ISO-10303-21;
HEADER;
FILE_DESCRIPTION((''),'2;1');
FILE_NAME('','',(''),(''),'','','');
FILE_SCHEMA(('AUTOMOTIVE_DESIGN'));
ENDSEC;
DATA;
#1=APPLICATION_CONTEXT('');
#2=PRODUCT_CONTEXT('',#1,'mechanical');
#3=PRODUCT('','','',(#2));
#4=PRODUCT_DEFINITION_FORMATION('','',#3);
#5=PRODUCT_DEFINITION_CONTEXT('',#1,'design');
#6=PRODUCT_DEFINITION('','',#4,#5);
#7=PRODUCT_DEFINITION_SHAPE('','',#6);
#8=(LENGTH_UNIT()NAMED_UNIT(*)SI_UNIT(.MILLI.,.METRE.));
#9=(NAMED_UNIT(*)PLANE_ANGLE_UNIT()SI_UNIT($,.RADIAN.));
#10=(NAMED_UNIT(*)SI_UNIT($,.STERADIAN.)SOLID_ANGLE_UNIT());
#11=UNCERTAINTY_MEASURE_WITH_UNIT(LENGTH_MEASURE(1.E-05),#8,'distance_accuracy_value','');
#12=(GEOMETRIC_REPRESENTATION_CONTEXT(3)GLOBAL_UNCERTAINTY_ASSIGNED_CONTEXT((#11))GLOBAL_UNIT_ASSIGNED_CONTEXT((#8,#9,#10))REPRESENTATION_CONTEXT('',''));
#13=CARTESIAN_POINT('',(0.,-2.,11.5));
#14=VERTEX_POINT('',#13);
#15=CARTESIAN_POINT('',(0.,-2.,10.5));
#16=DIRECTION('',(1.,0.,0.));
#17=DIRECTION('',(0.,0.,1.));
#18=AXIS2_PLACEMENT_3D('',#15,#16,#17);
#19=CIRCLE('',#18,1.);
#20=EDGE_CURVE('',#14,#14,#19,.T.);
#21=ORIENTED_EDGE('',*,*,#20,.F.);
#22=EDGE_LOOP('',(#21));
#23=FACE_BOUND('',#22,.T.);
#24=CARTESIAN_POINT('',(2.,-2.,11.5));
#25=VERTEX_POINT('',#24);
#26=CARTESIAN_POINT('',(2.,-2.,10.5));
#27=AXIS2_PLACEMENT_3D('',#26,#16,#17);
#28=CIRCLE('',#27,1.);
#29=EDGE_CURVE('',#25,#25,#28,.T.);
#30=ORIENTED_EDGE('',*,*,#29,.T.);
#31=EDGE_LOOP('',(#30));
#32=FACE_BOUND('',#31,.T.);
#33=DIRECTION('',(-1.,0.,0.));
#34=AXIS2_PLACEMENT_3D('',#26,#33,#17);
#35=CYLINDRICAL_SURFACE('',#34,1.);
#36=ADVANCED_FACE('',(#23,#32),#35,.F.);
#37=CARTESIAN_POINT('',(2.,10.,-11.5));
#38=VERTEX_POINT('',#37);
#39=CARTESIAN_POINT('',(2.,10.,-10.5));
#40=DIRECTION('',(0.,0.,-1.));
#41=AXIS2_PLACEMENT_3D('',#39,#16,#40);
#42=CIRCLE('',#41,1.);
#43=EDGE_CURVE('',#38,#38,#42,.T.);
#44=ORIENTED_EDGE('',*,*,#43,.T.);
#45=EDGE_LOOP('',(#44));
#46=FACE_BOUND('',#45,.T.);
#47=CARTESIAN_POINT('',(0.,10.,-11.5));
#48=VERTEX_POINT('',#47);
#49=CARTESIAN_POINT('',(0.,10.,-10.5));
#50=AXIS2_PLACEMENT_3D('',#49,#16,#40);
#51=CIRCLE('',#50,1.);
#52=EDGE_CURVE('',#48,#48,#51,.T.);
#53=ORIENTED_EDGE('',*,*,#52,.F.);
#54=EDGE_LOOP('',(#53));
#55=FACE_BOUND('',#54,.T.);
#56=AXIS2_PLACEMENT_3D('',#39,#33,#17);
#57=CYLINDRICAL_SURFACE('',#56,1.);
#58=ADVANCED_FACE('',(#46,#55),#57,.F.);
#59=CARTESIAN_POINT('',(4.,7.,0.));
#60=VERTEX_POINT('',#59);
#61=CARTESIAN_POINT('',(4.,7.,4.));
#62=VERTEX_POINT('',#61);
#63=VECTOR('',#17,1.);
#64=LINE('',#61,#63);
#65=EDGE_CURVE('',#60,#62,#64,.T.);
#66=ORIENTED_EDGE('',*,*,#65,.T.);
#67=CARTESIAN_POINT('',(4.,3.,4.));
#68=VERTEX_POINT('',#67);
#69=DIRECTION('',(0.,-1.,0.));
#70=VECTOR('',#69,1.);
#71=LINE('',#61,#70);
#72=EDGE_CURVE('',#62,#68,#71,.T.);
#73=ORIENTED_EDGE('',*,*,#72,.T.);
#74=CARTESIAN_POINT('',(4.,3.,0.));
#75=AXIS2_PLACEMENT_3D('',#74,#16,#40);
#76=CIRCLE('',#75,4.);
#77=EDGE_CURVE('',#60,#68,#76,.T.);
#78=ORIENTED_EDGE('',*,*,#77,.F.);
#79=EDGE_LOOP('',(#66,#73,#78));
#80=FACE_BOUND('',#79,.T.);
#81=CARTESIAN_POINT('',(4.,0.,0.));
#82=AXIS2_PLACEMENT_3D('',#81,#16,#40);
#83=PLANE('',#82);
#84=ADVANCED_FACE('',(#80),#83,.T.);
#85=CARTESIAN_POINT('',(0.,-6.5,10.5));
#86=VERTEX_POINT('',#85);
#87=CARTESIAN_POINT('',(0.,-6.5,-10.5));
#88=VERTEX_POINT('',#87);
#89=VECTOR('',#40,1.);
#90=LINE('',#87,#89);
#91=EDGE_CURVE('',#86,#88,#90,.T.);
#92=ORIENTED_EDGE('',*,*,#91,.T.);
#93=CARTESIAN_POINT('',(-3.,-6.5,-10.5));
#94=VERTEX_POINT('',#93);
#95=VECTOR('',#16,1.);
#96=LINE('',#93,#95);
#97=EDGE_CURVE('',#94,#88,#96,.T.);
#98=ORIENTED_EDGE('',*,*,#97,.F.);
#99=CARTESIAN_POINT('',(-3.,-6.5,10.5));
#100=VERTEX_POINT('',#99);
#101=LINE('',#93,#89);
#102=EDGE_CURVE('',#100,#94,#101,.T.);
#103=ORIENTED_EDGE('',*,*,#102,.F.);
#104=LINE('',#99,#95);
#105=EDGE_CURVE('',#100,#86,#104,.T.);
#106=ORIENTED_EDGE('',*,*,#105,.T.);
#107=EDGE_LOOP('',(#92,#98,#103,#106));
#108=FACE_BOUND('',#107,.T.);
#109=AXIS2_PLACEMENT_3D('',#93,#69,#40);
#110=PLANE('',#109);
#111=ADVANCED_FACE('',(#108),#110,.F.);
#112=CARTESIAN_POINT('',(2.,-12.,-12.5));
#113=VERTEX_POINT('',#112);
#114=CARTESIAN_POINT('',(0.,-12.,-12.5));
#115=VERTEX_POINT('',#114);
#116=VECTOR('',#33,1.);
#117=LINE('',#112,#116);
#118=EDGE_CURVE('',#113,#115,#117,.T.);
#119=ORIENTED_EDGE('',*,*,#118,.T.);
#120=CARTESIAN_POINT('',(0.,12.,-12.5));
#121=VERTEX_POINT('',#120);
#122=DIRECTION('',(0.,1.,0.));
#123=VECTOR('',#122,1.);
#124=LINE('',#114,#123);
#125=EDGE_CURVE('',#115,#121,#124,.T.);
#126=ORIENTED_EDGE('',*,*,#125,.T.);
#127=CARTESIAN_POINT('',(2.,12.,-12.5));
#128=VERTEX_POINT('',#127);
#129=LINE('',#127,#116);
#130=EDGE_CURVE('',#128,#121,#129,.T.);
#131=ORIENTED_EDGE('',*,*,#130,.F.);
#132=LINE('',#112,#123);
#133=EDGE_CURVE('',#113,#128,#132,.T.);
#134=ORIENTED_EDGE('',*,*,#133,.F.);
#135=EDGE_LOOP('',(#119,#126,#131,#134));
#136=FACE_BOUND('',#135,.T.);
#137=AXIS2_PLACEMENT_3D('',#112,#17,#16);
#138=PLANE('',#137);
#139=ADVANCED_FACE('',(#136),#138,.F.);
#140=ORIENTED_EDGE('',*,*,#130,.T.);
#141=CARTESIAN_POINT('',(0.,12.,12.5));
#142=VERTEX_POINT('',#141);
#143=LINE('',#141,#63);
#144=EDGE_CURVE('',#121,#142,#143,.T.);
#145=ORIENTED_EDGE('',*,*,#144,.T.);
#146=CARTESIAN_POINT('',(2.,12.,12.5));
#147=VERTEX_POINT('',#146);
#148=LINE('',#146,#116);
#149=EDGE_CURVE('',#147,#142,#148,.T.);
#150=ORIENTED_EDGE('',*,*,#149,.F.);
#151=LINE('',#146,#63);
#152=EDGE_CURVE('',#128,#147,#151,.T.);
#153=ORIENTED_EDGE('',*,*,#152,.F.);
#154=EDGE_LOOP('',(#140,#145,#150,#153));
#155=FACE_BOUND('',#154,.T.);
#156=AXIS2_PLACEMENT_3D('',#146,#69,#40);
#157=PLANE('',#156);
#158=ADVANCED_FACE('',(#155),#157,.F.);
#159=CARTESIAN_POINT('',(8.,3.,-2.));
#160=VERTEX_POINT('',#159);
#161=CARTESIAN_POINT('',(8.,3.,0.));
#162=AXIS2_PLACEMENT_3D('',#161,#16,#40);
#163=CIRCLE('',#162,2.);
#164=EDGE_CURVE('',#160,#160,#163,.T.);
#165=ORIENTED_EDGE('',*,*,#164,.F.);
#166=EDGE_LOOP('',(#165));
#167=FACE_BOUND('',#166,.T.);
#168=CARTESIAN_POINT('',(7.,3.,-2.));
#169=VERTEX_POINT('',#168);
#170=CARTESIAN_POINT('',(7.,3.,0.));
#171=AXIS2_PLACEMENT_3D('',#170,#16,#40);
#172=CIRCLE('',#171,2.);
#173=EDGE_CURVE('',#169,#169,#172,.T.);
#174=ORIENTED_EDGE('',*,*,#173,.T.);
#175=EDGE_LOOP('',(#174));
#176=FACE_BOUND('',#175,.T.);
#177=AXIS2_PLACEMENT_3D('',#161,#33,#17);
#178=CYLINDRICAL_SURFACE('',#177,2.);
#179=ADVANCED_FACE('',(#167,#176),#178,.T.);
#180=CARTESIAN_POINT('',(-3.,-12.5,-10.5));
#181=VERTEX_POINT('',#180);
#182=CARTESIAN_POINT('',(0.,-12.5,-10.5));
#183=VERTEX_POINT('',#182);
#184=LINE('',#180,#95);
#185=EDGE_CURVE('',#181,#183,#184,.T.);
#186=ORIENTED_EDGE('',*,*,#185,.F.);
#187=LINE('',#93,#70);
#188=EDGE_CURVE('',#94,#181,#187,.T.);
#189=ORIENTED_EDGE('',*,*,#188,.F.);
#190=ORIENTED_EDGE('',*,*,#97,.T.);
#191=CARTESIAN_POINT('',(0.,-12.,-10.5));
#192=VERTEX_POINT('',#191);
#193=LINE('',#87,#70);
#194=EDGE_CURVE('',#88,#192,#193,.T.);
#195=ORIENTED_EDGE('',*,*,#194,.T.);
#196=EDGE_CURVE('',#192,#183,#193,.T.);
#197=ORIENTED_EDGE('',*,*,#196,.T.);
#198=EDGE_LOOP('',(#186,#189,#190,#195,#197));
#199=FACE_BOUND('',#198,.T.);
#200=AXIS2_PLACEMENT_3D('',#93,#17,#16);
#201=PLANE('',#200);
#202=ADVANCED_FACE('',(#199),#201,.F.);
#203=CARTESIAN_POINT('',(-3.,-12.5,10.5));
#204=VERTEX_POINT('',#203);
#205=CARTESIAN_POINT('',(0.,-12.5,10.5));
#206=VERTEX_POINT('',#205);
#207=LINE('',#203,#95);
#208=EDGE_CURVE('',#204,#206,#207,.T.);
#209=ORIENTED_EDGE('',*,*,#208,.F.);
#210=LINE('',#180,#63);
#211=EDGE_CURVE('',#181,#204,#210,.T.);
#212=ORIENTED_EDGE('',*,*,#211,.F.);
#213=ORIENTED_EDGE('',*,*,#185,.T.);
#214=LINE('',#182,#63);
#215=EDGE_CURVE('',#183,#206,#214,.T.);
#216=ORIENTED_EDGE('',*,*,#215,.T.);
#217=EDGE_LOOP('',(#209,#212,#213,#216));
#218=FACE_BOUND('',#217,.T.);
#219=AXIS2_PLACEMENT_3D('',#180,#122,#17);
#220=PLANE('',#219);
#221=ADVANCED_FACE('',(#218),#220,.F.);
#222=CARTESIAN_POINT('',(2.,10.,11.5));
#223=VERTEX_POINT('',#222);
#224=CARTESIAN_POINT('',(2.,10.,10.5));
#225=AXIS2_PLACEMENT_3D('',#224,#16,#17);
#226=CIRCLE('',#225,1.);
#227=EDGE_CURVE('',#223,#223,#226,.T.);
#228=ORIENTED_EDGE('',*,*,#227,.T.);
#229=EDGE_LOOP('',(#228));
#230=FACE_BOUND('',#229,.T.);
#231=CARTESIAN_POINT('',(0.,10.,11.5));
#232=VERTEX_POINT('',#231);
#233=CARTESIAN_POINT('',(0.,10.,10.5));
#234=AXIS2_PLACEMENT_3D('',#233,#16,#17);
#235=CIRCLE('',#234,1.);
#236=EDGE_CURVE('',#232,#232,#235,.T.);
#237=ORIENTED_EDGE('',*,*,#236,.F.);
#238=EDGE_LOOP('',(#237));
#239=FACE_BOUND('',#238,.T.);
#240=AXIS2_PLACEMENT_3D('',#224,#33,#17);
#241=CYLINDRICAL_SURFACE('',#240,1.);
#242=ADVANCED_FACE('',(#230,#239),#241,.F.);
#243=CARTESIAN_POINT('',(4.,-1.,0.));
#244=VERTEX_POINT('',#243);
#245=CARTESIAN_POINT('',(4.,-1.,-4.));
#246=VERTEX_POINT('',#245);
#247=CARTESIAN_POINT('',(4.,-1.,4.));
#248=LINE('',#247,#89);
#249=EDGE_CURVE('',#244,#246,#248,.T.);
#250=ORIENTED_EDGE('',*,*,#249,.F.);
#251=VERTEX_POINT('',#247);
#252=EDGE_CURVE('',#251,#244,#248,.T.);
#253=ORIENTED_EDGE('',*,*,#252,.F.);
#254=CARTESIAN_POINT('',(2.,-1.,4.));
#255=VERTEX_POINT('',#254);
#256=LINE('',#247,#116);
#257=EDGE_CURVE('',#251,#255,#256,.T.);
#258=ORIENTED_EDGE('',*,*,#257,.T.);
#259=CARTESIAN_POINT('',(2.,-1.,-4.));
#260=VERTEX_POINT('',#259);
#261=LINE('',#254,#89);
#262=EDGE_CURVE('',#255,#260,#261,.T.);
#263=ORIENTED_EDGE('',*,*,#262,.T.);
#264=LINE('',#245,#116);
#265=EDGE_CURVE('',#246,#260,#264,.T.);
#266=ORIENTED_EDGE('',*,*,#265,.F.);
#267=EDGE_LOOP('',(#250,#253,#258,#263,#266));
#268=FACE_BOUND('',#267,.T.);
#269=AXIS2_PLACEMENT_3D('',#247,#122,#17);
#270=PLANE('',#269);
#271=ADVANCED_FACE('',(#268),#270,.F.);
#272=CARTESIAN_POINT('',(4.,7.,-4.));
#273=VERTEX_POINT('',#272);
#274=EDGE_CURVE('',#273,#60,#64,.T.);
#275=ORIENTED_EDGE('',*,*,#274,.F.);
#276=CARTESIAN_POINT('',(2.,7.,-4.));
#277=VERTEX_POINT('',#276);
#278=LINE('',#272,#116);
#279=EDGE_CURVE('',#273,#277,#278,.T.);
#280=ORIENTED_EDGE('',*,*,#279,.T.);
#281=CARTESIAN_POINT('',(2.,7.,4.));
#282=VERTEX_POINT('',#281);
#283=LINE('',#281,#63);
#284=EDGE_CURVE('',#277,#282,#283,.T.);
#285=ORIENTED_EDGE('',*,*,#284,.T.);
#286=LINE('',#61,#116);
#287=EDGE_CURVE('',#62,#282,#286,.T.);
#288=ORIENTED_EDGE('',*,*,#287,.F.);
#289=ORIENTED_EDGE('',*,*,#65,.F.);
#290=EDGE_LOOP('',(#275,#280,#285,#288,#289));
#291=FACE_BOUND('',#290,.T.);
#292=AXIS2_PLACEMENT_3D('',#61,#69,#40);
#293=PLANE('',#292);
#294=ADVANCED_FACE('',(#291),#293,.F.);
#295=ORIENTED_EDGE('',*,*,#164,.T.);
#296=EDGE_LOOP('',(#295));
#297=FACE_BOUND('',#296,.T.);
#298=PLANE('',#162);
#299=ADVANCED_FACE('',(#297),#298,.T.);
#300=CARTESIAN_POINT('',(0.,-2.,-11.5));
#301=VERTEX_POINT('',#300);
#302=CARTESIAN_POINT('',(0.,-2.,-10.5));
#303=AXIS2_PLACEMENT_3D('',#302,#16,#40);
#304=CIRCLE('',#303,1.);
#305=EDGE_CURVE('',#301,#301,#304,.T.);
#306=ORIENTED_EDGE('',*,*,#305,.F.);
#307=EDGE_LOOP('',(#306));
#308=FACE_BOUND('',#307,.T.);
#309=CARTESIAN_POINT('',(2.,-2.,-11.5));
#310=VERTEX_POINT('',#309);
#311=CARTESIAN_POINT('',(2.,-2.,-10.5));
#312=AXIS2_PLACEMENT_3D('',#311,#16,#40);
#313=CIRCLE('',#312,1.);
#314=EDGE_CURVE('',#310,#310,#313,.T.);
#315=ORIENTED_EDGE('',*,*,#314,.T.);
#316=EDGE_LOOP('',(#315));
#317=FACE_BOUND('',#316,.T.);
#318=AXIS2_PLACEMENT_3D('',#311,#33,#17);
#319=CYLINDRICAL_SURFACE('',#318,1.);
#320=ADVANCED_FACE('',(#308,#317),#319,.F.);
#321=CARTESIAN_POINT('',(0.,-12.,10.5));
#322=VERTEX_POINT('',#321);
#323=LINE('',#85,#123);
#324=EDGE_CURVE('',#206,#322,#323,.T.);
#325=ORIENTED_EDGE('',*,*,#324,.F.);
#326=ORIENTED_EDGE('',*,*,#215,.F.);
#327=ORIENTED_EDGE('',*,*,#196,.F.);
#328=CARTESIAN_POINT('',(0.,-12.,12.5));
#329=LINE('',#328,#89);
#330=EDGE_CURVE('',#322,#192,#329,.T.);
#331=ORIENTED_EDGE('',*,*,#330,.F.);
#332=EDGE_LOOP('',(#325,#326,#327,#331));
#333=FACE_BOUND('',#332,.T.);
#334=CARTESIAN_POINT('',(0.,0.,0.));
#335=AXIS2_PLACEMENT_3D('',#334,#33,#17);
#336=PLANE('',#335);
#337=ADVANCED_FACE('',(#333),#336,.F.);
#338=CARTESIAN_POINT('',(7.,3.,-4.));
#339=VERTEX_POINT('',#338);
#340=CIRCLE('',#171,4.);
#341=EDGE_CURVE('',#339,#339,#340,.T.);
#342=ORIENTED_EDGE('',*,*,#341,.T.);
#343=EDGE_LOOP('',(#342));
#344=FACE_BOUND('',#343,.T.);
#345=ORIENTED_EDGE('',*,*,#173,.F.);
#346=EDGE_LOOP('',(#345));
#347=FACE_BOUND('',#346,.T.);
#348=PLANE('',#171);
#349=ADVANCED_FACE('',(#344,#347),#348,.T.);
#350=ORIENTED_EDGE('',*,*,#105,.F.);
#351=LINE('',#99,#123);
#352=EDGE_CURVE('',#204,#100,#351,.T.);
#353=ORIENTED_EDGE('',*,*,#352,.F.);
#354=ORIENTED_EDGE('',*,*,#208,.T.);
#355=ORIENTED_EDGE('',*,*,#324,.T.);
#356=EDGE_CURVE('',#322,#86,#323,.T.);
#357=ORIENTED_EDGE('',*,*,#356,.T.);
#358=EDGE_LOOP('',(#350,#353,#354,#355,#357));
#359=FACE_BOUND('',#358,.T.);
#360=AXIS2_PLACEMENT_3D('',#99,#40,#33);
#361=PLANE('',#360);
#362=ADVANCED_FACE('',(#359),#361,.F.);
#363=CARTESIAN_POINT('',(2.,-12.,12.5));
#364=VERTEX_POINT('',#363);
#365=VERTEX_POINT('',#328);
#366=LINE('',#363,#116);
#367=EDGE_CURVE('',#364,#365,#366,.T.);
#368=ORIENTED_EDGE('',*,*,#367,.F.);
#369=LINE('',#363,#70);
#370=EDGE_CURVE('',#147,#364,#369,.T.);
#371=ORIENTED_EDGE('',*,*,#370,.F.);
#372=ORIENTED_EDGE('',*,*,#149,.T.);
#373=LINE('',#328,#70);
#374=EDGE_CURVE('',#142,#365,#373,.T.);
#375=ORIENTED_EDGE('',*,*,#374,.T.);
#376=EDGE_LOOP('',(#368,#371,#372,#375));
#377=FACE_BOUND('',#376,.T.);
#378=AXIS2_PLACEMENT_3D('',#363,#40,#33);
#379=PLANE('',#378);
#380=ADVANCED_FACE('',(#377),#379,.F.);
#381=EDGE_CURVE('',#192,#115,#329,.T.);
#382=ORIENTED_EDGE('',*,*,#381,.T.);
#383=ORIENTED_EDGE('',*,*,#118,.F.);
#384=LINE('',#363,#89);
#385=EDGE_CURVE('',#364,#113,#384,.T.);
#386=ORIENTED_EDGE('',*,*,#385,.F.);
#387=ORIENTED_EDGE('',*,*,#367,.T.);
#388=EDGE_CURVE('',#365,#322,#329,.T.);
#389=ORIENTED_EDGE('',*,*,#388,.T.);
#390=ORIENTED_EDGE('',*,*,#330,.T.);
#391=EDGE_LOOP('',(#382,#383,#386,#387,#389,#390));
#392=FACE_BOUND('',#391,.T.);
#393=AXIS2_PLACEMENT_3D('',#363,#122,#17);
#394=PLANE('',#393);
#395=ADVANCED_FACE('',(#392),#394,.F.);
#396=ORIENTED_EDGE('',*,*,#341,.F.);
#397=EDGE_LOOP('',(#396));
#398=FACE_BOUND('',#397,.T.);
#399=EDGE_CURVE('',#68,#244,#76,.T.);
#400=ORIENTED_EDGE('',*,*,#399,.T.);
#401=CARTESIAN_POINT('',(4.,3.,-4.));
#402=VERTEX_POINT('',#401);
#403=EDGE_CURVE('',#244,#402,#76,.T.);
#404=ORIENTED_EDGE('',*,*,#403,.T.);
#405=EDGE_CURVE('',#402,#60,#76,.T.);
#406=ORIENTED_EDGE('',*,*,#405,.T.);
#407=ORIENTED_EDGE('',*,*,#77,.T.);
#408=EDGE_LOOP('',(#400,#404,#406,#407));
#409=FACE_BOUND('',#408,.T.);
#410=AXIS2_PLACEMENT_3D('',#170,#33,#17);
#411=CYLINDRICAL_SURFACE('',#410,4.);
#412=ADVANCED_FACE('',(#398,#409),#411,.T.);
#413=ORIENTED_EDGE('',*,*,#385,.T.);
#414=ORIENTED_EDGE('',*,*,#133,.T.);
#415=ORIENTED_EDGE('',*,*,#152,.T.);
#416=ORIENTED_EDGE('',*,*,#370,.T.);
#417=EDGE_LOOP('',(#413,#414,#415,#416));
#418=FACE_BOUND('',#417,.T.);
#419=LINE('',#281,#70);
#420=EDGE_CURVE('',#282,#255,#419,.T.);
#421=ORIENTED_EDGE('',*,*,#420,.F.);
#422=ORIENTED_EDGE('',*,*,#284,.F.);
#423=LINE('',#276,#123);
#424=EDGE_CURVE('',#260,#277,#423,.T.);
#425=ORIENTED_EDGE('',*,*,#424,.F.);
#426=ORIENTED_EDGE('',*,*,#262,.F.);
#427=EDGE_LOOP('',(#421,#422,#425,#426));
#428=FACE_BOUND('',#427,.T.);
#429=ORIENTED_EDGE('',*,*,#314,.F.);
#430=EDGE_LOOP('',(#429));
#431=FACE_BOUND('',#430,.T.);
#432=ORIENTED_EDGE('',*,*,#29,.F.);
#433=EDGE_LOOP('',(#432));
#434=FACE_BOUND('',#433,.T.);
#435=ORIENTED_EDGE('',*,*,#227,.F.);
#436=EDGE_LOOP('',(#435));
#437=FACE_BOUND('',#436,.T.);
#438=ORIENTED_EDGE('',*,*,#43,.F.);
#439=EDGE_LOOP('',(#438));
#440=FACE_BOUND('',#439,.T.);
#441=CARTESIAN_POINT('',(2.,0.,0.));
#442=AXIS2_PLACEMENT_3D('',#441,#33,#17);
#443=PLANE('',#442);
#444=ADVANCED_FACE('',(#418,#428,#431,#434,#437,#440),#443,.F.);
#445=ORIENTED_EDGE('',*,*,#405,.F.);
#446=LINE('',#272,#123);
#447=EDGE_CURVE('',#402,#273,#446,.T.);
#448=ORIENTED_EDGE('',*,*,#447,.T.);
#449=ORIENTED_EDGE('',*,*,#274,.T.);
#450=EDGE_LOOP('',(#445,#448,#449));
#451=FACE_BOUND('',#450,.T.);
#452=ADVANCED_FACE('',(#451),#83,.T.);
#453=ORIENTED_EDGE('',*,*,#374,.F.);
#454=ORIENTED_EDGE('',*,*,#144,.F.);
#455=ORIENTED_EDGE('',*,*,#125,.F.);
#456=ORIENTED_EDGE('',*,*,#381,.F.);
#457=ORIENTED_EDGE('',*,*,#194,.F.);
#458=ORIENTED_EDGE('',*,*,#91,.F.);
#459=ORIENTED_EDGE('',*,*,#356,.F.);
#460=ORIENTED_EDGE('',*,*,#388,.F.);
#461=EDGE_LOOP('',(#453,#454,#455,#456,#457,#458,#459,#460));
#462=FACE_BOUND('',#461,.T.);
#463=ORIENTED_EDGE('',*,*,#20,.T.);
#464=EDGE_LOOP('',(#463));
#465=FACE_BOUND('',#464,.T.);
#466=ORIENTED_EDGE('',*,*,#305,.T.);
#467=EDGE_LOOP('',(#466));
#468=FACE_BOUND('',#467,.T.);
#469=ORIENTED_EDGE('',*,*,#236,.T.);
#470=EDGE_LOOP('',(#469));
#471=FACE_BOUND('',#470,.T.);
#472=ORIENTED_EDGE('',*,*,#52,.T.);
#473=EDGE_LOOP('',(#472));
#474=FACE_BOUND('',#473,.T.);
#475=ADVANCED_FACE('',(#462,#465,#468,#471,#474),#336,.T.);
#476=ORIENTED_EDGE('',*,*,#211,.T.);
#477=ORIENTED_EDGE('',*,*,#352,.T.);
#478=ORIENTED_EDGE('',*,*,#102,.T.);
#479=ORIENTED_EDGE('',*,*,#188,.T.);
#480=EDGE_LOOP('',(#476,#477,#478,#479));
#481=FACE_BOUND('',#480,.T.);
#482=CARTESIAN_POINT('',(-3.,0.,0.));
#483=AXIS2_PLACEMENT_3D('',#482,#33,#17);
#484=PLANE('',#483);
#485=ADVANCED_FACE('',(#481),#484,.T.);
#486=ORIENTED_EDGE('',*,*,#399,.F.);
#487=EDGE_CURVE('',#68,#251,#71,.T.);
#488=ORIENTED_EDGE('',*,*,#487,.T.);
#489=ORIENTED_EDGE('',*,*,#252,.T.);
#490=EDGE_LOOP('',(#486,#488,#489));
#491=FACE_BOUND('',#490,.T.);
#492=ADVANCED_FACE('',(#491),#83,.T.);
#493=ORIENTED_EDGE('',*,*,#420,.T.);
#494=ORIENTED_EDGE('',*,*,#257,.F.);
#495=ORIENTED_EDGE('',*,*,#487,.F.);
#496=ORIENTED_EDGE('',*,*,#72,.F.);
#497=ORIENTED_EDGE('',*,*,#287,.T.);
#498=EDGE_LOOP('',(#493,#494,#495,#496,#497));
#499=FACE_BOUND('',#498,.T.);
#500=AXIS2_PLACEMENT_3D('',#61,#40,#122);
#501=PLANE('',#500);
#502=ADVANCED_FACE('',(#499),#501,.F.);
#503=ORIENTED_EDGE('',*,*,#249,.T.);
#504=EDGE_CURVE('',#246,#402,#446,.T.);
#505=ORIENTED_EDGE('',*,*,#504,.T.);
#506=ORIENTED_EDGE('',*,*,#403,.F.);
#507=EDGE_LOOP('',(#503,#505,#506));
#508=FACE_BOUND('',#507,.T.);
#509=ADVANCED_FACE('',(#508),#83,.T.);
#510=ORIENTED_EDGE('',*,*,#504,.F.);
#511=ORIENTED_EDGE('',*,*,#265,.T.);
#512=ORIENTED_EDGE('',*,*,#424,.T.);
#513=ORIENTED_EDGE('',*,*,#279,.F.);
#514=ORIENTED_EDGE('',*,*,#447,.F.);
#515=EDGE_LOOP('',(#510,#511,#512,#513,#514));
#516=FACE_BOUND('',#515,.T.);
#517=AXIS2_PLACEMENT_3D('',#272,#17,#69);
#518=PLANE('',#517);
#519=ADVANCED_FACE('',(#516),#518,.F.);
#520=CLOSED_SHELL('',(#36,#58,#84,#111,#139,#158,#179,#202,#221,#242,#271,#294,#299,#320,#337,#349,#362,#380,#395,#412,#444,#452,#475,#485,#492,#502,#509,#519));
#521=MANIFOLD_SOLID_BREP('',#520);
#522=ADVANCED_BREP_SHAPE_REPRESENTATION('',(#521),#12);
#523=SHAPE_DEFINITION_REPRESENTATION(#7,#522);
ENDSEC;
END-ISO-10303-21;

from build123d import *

# Parameters (mm, degrees)
SKETCH1_W           = 25
SKETCH1_H           = 24
SKETCH1_R           = 1
BOSS_EXTRUDE1_DEPTH = 2
SKETCH2_W           = 8
SKETCH2_H           = 8
BOSS_EXTRUDE2_DEPTH = 2
SKETCH3_R           = 4
BOSS_EXTRUDE3_DEPTH = 3
SKETCH4_R           = 2
BOSS_EXTRUDE4_DEPTH = 1
SKETCH5_W           = 21
SKETCH5_H           = 6
BOSS_EXTRUDE5_DEPTH = 3


with BuildPart() as part:
    # Sketch1 → Boss-Extrude1 (new body)
    with BuildSketch(Plane(origin=(0, 0, 0), x_dir=(0, 0, -1), z_dir=(1, 0, 0))):
        Rectangle(SKETCH1_W, SKETCH1_H)
        with Locations((10.5, 10)):
            Circle(SKETCH1_R, mode=Mode.SUBTRACT)
        with Locations((10.5, -2)):
            Circle(SKETCH1_R, mode=Mode.SUBTRACT)
        with Locations(Location((-10.5, 10, 0), (0, 0, 180))):
            Circle(SKETCH1_R, mode=Mode.SUBTRACT)
        with Locations(Location((-10.5, -2, 0), (0, 0, 180))):
            Circle(SKETCH1_R, mode=Mode.SUBTRACT)
    extrude(amount=BOSS_EXTRUDE1_DEPTH)

    # Sketch2 → Boss-Extrude2 (add)
    with BuildSketch(Plane(origin=(2, 0, 0), x_dir=(0, 0, -1), z_dir=(1, 0, 0))):
        with Locations((0, 3)):
            Rectangle(SKETCH2_W, SKETCH2_H)
    extrude(amount=BOSS_EXTRUDE2_DEPTH)

    # Sketch3 → Boss-Extrude3 (add)
    with BuildSketch(Plane(origin=(4, 0, 0), x_dir=(0, 0, -1), z_dir=(1, 0, 0))):
        with Locations((0, 3)):
            Circle(SKETCH3_R)
    extrude(amount=BOSS_EXTRUDE3_DEPTH)

    # Sketch4 → Boss-Extrude4 (add)
    with BuildSketch(Plane(origin=(7, 0, 0), x_dir=(0, 0, -1), z_dir=(1, 0, 0))):
        with Locations((0, 3)):
            Circle(SKETCH4_R)
    extrude(amount=BOSS_EXTRUDE4_DEPTH)

    # Sketch5 → Boss-Extrude5 (add)
    with BuildSketch(Plane.ZY):
        with Locations((0, -9.5)):
            Rectangle(SKETCH5_W, SKETCH5_H)
    extrude(amount=BOSS_EXTRUDE5_DEPTH)


solid = part.part
